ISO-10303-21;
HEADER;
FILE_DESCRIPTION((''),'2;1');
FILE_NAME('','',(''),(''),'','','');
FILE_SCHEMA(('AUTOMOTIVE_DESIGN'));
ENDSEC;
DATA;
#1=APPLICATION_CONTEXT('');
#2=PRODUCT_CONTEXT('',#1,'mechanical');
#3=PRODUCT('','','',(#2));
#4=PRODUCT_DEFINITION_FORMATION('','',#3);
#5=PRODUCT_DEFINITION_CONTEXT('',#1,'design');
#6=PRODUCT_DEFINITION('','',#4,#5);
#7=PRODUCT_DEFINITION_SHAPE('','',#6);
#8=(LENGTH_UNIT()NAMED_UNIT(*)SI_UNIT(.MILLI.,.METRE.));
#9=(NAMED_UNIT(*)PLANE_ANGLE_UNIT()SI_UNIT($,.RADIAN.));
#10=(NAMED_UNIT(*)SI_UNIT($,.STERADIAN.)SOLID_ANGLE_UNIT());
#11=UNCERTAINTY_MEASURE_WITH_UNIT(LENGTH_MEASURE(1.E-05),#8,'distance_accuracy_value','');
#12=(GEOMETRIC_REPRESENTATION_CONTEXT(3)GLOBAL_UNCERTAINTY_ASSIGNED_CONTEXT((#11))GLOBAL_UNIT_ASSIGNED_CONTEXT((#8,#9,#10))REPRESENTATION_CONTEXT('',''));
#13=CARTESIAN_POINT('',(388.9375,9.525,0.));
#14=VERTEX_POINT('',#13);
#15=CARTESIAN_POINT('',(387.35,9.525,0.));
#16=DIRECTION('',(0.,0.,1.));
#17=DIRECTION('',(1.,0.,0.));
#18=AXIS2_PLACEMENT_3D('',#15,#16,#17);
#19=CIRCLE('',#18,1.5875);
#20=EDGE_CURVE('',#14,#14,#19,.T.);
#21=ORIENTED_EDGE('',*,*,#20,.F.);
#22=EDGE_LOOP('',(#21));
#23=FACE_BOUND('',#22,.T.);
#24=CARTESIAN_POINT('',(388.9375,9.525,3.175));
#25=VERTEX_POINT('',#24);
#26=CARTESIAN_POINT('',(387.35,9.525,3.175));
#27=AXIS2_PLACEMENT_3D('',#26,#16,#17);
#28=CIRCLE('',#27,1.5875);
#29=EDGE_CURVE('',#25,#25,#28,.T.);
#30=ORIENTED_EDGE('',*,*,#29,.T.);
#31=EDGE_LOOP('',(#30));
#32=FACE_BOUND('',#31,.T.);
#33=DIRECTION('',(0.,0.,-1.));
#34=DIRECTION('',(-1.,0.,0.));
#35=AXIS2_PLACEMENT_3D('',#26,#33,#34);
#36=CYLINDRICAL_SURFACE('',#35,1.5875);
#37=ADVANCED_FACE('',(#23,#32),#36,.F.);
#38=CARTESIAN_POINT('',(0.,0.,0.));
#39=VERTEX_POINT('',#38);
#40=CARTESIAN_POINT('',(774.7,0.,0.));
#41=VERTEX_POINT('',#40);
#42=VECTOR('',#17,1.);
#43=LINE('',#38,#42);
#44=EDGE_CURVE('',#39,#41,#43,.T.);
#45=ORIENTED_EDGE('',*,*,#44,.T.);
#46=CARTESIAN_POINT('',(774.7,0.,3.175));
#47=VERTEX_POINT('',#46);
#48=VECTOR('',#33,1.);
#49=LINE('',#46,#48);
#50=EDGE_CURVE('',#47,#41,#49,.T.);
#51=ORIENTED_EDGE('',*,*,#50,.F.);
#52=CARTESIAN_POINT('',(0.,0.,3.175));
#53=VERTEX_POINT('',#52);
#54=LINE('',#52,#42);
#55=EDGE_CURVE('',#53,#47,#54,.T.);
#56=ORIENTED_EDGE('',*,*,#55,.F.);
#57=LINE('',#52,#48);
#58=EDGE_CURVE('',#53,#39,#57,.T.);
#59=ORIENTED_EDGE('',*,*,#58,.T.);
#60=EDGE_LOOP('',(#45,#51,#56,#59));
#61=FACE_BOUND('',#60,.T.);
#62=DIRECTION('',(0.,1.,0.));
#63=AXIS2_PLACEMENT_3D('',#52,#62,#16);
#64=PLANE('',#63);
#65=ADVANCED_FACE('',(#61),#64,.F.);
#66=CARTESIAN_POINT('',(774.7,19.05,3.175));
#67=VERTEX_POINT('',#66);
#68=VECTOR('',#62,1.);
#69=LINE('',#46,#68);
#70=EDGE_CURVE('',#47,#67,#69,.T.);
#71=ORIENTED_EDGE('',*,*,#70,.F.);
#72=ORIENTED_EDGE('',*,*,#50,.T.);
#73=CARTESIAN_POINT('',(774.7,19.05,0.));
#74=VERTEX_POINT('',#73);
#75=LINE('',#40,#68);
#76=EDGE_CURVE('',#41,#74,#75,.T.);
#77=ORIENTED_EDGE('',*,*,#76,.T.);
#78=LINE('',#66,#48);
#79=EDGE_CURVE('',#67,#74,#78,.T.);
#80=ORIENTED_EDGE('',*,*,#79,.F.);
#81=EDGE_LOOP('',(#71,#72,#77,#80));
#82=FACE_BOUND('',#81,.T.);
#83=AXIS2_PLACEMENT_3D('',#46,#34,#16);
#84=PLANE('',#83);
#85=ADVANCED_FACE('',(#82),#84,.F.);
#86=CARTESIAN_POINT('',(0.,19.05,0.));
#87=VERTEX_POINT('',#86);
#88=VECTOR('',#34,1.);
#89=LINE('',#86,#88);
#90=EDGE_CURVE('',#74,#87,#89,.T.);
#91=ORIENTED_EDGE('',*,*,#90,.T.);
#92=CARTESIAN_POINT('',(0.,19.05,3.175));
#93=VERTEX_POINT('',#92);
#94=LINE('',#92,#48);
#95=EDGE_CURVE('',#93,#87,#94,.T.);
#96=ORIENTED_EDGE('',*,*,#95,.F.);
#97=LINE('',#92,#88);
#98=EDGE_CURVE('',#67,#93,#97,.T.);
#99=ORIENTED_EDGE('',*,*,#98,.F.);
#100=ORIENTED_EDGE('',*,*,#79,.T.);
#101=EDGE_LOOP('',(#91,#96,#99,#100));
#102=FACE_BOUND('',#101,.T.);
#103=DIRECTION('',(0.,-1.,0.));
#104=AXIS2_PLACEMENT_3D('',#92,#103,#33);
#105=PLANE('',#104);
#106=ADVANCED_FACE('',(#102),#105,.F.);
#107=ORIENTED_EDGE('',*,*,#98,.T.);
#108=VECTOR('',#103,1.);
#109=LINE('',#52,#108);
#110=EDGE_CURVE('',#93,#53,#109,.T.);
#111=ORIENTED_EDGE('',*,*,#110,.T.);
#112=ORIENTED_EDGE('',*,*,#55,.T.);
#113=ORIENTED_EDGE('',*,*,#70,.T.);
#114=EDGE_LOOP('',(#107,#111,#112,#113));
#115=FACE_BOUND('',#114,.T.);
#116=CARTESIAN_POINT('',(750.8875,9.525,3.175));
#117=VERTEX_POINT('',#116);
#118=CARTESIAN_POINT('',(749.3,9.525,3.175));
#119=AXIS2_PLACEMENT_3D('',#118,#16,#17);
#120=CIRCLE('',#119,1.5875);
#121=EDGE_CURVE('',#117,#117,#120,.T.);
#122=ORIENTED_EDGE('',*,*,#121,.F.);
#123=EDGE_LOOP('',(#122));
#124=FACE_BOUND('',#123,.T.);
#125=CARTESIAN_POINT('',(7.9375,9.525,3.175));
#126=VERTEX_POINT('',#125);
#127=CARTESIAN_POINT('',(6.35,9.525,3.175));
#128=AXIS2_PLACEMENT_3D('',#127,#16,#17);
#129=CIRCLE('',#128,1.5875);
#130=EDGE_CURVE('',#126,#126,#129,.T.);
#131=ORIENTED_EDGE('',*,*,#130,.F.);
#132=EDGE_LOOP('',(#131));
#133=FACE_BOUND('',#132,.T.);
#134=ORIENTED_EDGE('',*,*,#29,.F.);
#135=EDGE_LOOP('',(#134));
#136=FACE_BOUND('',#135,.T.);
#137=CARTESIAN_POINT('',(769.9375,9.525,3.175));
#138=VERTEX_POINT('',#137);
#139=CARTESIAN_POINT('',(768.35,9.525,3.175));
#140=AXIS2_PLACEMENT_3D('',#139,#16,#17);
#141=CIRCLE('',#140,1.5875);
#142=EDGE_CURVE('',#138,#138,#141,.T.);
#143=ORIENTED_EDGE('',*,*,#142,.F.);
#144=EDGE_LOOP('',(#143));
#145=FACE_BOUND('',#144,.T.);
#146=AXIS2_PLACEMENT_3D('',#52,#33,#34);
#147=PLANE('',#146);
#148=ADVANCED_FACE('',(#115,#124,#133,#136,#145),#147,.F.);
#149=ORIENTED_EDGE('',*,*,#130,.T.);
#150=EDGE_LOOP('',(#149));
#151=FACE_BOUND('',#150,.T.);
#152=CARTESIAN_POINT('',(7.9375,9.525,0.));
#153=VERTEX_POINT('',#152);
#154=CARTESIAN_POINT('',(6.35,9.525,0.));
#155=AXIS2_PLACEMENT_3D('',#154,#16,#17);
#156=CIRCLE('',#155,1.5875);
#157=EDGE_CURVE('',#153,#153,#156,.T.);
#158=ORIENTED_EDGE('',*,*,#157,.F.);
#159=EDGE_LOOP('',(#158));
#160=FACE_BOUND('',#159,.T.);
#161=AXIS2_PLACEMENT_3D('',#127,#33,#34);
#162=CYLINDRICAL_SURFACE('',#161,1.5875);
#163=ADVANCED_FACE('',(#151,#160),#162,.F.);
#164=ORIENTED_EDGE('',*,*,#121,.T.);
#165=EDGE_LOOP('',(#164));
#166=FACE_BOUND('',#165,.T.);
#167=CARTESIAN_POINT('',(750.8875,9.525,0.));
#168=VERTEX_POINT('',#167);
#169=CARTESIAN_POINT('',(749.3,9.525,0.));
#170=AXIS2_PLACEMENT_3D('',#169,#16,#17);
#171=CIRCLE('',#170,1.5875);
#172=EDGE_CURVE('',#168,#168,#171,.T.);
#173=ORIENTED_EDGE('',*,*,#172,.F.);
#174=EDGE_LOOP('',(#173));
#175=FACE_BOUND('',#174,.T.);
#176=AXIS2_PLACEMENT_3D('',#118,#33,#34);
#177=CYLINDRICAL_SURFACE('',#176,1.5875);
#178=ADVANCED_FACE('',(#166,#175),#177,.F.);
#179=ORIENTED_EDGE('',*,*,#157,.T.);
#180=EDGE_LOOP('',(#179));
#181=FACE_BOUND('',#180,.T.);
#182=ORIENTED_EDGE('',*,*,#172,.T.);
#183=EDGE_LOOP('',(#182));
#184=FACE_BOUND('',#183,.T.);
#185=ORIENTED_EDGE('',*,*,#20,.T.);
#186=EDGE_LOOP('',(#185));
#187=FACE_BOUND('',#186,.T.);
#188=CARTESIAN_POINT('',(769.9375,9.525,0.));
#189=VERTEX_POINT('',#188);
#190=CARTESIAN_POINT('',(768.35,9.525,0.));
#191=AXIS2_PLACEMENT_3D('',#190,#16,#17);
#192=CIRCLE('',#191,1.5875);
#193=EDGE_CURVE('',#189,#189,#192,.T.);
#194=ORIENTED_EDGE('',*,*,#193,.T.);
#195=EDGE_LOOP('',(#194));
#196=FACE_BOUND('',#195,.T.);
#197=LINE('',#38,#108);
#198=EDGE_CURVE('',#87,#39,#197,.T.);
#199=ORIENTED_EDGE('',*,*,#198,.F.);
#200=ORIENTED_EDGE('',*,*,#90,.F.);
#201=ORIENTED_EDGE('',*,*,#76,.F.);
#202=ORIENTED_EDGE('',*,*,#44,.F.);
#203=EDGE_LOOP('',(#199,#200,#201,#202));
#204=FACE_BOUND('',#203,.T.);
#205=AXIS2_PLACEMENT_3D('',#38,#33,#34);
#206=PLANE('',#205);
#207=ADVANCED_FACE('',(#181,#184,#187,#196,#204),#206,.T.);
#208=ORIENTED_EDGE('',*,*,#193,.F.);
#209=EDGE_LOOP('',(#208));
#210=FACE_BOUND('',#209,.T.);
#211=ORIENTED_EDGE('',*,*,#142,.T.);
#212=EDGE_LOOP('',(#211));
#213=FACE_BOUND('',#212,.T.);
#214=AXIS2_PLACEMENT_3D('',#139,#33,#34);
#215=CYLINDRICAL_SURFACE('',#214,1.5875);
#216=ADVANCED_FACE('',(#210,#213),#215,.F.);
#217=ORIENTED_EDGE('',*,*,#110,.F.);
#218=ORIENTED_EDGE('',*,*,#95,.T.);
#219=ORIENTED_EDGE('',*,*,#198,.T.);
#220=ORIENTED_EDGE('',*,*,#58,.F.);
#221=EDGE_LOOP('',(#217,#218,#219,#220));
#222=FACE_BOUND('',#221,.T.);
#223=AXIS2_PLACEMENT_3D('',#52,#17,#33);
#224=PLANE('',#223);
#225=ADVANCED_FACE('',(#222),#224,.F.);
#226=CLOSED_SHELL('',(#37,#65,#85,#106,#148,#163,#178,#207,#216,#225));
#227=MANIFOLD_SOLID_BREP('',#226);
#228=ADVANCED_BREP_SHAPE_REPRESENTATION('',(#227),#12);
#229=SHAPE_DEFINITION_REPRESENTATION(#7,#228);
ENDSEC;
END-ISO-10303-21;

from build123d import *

# Parameters (mm, degrees)
SKETCH7_W           = 774.7
SKETCH7_H           = 19.05
SKETCH7_R           = 1.5875
BOSS_EXTRUDE1_DEPTH = 3.175


with BuildPart() as part:
    # Sketch7 → Boss-Extrude1 (new body)
    with BuildSketch(Plane.XY):
        with Locations((387.35, 9.525)):
            Rectangle(SKETCH7_W, SKETCH7_H)
        with Locations((6.35, 9.525)):
            Circle(SKETCH7_R, mode=Mode.SUBTRACT)
        with Locations((387.35, 9.525)):
            Circle(SKETCH7_R, mode=Mode.SUBTRACT)
        with Locations((768.35, 9.525)):
            Circle(SKETCH7_R, mode=Mode.SUBTRACT)
        with Locations((749.3, 9.525)):
            Circle(SKETCH7_R, mode=Mode.SUBTRACT)
    extrude(amount=BOSS_EXTRUDE1_DEPTH)


solid = part.part
